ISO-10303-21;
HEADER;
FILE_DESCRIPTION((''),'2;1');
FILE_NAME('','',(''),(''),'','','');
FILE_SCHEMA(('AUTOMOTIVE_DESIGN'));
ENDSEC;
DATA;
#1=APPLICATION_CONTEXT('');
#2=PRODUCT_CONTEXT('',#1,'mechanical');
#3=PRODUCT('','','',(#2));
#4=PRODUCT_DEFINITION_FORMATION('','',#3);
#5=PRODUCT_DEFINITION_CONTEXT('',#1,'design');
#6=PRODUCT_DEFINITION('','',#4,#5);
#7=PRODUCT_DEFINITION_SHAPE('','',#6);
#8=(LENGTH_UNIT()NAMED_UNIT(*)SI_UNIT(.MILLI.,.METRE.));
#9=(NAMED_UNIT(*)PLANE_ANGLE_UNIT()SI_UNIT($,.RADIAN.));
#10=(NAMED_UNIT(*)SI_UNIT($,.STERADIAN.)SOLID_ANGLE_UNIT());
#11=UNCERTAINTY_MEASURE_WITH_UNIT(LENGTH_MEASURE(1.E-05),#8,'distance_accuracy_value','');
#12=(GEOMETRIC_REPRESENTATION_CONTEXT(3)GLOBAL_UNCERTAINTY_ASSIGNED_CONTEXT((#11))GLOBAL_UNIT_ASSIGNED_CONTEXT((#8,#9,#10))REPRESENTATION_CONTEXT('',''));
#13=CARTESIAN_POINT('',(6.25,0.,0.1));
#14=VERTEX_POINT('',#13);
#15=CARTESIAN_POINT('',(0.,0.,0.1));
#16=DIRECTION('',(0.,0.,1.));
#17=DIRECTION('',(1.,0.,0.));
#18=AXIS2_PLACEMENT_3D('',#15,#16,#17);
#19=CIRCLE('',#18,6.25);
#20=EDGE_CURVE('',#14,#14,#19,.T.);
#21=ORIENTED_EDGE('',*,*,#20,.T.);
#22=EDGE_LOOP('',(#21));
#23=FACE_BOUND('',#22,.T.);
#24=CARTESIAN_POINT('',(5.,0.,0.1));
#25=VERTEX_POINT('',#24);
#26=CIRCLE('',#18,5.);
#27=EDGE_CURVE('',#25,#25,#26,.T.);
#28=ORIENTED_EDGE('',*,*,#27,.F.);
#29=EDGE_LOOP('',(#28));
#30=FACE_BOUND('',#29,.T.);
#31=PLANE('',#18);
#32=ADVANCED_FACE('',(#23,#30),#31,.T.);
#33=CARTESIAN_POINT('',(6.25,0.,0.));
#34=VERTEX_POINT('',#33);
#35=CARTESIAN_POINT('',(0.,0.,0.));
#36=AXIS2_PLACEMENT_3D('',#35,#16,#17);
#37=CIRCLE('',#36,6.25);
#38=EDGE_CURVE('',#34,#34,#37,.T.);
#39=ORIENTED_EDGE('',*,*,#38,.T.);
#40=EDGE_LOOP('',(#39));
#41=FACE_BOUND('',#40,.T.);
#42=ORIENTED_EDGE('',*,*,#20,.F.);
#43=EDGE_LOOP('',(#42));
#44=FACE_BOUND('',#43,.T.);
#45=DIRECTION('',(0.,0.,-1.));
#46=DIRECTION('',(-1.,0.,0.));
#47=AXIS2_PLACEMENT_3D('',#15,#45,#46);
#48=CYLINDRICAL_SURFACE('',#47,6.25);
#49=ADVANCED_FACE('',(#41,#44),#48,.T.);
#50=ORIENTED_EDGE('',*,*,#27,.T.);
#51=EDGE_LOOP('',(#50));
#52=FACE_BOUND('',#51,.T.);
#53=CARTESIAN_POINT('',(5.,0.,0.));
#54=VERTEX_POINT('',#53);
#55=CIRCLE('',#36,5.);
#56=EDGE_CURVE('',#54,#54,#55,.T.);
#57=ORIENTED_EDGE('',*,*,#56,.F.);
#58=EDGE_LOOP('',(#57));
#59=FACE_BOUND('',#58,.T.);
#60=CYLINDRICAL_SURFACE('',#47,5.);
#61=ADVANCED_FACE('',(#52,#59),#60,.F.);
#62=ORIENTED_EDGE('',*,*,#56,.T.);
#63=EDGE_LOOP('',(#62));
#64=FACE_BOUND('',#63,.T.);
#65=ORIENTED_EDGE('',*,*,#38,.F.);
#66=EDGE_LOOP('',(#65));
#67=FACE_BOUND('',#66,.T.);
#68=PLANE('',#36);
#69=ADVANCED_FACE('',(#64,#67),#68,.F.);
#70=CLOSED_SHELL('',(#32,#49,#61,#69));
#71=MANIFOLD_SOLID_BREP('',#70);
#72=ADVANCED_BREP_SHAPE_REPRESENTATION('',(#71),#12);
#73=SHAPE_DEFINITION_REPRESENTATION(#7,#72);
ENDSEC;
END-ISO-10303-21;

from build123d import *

# Parameters (mm, degrees)
SKIZZE1_8_R                     = 6.25
SKIZZE1_8_R_2                   = 5
AUFSATZ_LINEAR_AUSTRAGEN3_DEPTH = 0.1


with BuildPart() as part:
    # Skizze1_8 → Aufsatz-Linear austragen3 (new body)
    with BuildSketch(Plane.XY):
        Circle(SKIZZE1_8_R)
        Circle(SKIZZE1_8_R_2, mode=Mode.SUBTRACT)
    extrude(amount=AUFSATZ_LINEAR_AUSTRAGEN3_DEPTH)


solid = part.part
